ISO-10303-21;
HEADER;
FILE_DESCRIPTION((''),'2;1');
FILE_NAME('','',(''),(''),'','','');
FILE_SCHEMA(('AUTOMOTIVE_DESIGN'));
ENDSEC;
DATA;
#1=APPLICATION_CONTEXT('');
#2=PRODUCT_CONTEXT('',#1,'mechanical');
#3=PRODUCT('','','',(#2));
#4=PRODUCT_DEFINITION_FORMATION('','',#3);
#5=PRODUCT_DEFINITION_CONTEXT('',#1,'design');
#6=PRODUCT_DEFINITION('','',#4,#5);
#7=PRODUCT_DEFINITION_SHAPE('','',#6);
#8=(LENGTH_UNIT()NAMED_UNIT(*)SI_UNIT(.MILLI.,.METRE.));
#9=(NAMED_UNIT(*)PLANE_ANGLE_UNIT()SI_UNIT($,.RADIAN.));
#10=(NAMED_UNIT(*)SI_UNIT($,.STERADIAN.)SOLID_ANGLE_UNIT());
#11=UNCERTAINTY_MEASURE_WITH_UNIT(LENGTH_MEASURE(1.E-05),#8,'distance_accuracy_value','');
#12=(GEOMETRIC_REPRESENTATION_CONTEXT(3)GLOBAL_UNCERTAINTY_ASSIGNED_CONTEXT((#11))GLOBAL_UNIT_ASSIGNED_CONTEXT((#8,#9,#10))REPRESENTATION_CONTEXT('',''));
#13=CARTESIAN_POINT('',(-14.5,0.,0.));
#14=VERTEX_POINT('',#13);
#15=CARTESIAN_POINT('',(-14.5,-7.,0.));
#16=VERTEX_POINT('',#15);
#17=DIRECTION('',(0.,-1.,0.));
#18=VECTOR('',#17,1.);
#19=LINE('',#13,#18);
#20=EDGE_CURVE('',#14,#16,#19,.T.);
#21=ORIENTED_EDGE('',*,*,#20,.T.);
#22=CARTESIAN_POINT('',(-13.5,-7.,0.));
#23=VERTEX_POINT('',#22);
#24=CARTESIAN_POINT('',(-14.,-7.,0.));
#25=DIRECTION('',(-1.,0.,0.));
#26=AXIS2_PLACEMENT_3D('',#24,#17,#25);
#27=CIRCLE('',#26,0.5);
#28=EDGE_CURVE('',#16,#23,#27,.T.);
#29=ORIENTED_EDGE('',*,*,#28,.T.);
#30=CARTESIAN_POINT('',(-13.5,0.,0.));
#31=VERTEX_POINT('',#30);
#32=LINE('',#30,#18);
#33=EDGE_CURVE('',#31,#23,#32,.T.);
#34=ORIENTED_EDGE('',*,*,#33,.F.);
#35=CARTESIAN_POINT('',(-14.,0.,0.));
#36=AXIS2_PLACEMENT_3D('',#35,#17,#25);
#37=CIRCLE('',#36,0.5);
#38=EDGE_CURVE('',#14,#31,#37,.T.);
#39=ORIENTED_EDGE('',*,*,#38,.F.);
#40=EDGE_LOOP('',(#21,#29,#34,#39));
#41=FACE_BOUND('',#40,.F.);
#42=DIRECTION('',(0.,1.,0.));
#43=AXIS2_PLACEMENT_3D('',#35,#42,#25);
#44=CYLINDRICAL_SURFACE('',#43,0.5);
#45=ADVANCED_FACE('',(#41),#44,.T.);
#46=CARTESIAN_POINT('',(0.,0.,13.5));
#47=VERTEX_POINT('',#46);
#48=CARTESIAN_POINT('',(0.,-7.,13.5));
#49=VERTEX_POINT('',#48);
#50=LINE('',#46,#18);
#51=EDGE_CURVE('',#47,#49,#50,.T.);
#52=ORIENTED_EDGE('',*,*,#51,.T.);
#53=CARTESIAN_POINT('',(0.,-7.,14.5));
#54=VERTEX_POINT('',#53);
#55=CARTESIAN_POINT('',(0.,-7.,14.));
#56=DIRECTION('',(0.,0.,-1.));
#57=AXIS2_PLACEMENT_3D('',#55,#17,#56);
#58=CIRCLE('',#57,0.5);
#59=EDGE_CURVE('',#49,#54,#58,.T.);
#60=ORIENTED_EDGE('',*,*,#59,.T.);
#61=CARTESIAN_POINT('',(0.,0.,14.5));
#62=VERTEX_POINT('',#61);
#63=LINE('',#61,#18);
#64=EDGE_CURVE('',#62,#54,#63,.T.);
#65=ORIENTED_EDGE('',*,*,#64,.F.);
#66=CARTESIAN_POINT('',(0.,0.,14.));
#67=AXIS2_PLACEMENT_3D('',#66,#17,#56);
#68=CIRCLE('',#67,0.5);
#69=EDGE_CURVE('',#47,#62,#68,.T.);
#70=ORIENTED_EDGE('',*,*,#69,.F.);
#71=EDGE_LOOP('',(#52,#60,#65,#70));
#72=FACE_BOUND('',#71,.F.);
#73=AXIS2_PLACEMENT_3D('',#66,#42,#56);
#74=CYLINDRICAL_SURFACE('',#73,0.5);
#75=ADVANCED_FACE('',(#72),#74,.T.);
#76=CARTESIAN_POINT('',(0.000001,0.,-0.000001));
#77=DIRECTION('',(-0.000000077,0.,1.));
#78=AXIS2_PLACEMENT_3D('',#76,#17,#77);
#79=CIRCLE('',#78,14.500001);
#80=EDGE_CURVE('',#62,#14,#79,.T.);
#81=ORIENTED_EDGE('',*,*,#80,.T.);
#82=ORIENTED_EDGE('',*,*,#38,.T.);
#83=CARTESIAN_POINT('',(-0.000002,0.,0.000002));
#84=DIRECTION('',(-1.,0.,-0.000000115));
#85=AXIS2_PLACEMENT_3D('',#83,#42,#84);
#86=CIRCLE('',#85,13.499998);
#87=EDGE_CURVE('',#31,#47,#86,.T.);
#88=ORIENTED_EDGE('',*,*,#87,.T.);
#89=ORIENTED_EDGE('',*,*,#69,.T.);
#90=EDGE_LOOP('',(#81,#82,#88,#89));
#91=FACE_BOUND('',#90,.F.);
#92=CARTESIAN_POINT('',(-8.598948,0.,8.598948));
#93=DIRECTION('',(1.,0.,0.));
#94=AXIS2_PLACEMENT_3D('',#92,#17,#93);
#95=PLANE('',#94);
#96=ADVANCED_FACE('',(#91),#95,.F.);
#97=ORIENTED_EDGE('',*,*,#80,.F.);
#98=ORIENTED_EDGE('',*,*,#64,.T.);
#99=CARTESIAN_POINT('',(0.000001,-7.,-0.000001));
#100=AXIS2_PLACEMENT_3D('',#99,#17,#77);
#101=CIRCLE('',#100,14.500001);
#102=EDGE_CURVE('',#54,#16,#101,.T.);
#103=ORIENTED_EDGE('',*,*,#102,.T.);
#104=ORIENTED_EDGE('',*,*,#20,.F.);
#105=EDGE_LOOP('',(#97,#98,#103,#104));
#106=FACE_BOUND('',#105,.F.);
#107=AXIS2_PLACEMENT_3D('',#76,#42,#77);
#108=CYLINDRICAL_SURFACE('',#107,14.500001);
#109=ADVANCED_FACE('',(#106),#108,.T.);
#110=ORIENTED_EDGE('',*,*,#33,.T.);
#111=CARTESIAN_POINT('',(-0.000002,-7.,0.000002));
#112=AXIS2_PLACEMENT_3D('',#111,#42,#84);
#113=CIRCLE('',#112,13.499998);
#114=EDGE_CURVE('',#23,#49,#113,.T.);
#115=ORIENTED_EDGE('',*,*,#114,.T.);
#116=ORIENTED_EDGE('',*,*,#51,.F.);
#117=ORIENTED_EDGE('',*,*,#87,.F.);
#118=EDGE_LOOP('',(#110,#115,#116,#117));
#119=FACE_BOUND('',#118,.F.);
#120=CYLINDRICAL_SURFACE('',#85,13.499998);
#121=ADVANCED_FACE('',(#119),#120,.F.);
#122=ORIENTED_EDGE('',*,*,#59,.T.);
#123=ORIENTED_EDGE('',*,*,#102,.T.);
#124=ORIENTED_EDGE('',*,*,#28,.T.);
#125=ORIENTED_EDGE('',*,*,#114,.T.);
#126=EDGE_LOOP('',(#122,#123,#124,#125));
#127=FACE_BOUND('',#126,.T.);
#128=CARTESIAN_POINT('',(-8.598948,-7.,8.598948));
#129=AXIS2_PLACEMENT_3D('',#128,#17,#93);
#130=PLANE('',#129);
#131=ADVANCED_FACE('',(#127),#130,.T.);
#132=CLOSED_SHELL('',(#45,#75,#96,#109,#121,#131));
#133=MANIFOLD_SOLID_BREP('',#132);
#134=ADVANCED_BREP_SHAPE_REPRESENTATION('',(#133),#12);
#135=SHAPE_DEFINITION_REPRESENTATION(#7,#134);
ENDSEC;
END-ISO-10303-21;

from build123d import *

# Parameters (mm, degrees)
F1_DEPTH = 7


with BuildPart() as f1:
    # F0 (on Front) → F1 (new body)
    with BuildSketch(Plane.XZ):
        with BuildLine():
            ThreePointArc((-13.5, 0), (-9.545942, 9.545942), (0, 13.5))
            ThreePointArc((0, 13.5), (0.5, 14), (0, 14.5))
            ThreePointArc((0, 14.5), (-10.253048, 10.253048), (-14.5, 0))
            ThreePointArc((-14.5, 0), (-14, -0.5), (-13.5, 0))
        make_face()
    extrude(amount=F1_DEPTH)


solid = f1.part
